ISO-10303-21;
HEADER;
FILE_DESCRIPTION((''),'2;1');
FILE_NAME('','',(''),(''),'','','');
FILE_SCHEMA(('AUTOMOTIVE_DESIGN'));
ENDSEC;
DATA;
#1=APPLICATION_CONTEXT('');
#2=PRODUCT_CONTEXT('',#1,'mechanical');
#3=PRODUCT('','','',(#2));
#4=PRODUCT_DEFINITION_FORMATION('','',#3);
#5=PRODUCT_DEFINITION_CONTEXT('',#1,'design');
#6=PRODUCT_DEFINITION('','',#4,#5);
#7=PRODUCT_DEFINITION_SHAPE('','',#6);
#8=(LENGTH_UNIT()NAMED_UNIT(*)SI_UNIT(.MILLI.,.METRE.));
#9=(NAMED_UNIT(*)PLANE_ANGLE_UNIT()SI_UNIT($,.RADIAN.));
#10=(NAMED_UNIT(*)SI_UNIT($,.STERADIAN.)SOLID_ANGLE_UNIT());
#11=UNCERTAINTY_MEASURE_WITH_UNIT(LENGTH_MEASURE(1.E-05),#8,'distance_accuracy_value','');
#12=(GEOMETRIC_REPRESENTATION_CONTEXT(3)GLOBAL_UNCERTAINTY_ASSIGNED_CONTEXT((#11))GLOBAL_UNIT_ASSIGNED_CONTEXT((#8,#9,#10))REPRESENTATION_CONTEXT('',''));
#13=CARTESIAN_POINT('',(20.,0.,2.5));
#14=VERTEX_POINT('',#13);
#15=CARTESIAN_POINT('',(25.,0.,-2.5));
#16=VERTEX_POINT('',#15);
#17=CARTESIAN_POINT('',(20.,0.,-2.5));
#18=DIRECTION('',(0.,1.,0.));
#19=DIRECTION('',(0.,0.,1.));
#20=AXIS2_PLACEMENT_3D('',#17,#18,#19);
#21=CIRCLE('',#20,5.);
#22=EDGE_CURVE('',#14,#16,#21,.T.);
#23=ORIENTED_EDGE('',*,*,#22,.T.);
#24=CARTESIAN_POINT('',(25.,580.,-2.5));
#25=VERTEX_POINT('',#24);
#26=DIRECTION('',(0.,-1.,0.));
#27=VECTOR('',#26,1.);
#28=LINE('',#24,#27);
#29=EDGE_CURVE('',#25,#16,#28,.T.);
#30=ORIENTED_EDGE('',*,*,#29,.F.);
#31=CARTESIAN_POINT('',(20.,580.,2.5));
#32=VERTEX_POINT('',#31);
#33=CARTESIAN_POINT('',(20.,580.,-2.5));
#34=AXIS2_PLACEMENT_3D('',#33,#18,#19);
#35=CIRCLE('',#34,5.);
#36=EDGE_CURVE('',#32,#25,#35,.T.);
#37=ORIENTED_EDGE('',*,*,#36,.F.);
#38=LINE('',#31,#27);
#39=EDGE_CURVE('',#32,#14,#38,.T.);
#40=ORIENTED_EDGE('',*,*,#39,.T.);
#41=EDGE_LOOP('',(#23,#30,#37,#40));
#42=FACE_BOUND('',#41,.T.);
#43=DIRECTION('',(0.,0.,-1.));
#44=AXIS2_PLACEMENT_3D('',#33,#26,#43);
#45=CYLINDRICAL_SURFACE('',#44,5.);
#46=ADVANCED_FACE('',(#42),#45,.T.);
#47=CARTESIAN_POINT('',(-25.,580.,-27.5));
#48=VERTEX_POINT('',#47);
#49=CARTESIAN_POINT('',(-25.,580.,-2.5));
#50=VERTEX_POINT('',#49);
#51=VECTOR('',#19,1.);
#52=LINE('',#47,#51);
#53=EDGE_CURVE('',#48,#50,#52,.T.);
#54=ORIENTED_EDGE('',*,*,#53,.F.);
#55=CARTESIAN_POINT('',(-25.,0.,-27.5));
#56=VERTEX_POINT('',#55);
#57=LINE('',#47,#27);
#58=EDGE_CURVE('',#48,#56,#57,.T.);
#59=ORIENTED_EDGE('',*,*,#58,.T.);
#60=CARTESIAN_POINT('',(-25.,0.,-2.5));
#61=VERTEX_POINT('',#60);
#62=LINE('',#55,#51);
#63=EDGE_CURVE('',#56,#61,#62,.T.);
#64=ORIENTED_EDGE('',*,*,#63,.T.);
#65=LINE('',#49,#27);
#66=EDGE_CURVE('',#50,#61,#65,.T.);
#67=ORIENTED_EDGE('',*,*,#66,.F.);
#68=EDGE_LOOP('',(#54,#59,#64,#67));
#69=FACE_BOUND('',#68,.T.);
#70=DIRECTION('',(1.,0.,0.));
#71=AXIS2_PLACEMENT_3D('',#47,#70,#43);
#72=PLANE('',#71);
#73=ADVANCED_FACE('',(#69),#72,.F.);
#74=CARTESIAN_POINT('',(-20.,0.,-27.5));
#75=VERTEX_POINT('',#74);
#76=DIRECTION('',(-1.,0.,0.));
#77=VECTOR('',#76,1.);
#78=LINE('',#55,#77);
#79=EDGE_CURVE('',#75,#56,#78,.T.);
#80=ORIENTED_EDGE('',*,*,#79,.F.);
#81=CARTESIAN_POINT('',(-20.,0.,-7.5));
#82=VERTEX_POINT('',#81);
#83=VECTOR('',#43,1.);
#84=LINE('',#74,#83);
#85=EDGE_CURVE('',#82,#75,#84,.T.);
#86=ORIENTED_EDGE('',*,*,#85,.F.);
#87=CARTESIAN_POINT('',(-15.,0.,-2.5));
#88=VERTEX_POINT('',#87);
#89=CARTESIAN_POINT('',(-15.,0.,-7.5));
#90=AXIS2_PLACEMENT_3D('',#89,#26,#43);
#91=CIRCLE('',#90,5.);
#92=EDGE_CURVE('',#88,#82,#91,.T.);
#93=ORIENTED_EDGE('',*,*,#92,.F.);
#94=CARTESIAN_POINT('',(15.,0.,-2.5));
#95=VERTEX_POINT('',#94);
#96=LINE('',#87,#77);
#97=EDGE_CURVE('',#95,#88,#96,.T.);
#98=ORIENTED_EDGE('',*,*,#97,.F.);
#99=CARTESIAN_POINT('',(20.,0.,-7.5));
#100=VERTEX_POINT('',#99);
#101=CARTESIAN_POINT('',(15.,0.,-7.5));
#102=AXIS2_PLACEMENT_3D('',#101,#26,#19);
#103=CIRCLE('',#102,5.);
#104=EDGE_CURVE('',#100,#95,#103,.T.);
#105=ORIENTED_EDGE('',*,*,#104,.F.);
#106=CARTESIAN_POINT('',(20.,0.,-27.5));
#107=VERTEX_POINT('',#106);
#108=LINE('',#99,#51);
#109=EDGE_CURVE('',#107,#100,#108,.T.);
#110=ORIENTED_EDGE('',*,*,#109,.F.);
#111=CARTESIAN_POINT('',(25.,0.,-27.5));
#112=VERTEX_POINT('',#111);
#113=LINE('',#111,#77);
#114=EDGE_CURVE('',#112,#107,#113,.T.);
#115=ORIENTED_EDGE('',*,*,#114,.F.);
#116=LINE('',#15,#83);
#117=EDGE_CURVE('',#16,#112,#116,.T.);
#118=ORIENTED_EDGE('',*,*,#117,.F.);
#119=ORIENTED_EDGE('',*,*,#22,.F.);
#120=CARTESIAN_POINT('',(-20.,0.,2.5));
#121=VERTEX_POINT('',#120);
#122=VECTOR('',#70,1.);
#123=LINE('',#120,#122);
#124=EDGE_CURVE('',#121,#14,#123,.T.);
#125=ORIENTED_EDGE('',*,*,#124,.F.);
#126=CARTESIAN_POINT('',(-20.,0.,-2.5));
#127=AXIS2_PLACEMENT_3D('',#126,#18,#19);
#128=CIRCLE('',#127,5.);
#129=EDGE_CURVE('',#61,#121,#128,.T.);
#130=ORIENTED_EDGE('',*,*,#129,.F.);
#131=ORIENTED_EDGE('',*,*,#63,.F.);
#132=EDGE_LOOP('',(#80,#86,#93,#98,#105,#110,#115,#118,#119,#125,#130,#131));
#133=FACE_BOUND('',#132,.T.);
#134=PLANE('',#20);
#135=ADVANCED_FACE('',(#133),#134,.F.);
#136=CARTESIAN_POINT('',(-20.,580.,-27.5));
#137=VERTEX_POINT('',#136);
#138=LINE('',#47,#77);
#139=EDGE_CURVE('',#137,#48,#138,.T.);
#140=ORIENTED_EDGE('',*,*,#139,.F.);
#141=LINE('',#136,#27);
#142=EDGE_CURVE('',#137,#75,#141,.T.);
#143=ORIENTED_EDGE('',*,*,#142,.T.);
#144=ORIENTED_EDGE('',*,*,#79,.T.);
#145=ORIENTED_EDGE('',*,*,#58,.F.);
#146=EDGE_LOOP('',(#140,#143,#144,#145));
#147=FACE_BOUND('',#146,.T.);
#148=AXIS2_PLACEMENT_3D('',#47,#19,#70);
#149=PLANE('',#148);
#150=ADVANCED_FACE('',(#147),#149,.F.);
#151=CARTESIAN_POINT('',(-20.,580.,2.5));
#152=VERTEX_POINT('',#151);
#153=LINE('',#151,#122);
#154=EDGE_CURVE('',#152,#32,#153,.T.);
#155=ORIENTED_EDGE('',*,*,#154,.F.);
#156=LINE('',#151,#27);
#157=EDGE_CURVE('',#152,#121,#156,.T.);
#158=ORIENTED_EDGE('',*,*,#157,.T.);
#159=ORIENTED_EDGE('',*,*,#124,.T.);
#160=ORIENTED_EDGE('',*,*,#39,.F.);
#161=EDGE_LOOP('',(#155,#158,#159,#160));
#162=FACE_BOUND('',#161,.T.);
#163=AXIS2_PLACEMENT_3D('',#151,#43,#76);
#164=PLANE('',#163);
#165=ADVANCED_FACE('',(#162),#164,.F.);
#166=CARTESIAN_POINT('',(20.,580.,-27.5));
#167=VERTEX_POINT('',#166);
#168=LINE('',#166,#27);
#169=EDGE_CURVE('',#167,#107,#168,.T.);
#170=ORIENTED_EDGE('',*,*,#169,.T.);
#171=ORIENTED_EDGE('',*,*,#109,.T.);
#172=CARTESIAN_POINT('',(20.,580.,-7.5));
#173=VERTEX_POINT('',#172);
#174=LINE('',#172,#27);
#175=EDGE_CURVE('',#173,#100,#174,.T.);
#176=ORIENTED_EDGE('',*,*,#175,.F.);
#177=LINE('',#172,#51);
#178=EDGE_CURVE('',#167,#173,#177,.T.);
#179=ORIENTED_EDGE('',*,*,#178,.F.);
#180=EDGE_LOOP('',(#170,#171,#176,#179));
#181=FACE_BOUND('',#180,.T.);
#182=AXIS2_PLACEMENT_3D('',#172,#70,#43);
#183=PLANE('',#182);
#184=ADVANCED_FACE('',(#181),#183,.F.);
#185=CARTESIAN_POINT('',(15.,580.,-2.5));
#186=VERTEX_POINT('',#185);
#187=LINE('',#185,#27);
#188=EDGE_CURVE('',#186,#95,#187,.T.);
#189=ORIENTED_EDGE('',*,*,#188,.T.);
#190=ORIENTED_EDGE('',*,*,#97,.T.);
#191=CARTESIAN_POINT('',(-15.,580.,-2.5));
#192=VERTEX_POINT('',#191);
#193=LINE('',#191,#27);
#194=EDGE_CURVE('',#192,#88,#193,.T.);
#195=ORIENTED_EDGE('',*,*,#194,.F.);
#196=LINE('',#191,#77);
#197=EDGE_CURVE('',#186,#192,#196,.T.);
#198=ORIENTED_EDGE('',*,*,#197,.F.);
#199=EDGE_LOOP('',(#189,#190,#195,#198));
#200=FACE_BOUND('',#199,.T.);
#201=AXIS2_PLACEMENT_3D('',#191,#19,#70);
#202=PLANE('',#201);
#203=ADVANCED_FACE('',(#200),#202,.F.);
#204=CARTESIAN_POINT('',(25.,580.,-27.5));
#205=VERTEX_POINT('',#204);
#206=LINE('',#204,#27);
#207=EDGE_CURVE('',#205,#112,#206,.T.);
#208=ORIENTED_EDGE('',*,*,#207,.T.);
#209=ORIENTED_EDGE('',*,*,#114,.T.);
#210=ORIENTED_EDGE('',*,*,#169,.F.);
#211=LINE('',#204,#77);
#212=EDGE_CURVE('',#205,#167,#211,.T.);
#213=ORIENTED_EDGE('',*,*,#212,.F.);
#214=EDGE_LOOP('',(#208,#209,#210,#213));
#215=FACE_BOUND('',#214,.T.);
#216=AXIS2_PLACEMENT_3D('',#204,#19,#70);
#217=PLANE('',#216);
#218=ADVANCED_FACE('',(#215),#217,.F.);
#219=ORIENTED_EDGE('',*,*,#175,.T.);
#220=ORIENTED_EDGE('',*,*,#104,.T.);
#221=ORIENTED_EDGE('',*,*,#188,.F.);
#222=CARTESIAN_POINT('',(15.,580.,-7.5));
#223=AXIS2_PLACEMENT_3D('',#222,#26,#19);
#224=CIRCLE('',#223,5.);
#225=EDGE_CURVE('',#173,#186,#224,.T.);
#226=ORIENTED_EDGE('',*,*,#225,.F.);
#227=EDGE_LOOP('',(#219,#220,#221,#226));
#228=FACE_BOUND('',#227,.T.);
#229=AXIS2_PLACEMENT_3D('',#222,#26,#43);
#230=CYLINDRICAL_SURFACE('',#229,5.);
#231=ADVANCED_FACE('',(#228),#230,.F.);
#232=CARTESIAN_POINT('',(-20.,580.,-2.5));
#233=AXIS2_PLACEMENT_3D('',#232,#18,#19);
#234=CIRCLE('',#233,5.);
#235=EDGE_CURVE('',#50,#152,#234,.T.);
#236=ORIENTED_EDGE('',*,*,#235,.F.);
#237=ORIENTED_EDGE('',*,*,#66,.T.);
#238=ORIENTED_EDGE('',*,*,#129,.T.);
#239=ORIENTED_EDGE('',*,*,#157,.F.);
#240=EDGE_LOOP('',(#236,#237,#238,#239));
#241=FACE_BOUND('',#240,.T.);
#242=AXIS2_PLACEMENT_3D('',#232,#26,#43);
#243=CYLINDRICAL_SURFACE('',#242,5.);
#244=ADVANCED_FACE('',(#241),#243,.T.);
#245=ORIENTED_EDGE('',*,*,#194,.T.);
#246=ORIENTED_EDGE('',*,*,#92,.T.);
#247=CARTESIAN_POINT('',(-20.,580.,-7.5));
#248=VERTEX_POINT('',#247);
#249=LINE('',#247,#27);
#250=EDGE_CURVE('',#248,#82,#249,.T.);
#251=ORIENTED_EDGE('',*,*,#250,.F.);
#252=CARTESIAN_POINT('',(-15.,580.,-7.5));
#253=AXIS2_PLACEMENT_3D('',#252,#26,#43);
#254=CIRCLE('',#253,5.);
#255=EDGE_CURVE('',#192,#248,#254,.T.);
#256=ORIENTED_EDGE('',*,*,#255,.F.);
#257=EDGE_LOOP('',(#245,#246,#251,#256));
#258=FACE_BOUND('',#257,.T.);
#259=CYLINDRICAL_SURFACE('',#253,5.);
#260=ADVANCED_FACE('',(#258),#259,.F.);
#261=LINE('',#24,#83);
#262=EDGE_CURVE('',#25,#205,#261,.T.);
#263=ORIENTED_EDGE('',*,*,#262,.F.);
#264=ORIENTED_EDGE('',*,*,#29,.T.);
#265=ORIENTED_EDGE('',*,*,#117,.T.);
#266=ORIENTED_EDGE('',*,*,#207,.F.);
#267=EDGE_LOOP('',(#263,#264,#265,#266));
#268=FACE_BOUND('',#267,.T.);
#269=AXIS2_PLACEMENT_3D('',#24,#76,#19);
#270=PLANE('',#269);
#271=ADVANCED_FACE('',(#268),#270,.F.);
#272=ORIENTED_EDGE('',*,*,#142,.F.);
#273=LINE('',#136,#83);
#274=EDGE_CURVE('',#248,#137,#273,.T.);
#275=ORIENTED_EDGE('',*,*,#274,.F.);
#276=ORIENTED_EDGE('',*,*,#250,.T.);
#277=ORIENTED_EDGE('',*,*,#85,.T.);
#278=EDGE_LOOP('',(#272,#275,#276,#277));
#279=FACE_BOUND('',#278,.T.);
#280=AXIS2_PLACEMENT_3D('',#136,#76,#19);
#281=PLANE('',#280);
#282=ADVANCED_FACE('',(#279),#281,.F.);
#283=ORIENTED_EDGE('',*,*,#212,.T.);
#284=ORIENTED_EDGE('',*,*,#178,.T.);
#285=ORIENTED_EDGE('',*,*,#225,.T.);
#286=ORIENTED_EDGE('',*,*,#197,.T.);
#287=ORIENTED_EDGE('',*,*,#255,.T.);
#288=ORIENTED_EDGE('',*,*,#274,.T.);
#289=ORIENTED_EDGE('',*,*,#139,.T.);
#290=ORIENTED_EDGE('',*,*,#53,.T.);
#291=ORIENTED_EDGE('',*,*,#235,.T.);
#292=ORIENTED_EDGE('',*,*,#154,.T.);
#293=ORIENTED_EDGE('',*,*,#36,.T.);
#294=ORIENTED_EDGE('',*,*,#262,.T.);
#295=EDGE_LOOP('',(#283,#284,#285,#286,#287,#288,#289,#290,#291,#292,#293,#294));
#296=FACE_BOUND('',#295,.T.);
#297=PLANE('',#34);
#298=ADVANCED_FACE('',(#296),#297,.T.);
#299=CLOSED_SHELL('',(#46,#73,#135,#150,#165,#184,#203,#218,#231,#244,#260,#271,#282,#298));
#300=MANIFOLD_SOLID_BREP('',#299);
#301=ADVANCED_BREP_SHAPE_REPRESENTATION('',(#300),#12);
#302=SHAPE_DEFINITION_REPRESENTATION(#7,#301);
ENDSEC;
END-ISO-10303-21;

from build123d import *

# Parameters (mm, degrees)
BOSS_EXTRUDE2_DEPTH = 580


with BuildPart() as part:
    # Sketch1 → Boss-Extrude2 (new body)
    with BuildSketch(Plane(origin=(0, 0, 0), x_dir=(1, 0, 0), z_dir=(0, 1, 0))):
        with BuildLine():
            Line((-15, 2.5), (15, 2.5))
            ThreePointArc((15, 2.5), (18.535533906, 3.964466094), (20, 7.5))
            Line((20, 7.5), (20, 27.5))
            Line((20, 27.5), (25, 27.5))
            Line((25, 27.5), (25, 2.5))
            ThreePointArc((25, 2.5), (23.535533906, -1.035533906), (20, -2.5))
            Line((20, -2.5), (-20, -2.5))
            ThreePointArc((-20, -2.5), (-23.535533906, -1.035533906), (-25, 2.5))
            Line((-25, 2.5), (-25, 27.5))
            Line((-25, 27.5), (-20, 27.5))
            Line((-20, 27.5), (-20, 7.5))
            ThreePointArc((-20, 7.5), (-18.535533906, 3.964466094), (-15, 2.5))
        make_face()
    extrude(amount=BOSS_EXTRUDE2_DEPTH)


solid = part.part
